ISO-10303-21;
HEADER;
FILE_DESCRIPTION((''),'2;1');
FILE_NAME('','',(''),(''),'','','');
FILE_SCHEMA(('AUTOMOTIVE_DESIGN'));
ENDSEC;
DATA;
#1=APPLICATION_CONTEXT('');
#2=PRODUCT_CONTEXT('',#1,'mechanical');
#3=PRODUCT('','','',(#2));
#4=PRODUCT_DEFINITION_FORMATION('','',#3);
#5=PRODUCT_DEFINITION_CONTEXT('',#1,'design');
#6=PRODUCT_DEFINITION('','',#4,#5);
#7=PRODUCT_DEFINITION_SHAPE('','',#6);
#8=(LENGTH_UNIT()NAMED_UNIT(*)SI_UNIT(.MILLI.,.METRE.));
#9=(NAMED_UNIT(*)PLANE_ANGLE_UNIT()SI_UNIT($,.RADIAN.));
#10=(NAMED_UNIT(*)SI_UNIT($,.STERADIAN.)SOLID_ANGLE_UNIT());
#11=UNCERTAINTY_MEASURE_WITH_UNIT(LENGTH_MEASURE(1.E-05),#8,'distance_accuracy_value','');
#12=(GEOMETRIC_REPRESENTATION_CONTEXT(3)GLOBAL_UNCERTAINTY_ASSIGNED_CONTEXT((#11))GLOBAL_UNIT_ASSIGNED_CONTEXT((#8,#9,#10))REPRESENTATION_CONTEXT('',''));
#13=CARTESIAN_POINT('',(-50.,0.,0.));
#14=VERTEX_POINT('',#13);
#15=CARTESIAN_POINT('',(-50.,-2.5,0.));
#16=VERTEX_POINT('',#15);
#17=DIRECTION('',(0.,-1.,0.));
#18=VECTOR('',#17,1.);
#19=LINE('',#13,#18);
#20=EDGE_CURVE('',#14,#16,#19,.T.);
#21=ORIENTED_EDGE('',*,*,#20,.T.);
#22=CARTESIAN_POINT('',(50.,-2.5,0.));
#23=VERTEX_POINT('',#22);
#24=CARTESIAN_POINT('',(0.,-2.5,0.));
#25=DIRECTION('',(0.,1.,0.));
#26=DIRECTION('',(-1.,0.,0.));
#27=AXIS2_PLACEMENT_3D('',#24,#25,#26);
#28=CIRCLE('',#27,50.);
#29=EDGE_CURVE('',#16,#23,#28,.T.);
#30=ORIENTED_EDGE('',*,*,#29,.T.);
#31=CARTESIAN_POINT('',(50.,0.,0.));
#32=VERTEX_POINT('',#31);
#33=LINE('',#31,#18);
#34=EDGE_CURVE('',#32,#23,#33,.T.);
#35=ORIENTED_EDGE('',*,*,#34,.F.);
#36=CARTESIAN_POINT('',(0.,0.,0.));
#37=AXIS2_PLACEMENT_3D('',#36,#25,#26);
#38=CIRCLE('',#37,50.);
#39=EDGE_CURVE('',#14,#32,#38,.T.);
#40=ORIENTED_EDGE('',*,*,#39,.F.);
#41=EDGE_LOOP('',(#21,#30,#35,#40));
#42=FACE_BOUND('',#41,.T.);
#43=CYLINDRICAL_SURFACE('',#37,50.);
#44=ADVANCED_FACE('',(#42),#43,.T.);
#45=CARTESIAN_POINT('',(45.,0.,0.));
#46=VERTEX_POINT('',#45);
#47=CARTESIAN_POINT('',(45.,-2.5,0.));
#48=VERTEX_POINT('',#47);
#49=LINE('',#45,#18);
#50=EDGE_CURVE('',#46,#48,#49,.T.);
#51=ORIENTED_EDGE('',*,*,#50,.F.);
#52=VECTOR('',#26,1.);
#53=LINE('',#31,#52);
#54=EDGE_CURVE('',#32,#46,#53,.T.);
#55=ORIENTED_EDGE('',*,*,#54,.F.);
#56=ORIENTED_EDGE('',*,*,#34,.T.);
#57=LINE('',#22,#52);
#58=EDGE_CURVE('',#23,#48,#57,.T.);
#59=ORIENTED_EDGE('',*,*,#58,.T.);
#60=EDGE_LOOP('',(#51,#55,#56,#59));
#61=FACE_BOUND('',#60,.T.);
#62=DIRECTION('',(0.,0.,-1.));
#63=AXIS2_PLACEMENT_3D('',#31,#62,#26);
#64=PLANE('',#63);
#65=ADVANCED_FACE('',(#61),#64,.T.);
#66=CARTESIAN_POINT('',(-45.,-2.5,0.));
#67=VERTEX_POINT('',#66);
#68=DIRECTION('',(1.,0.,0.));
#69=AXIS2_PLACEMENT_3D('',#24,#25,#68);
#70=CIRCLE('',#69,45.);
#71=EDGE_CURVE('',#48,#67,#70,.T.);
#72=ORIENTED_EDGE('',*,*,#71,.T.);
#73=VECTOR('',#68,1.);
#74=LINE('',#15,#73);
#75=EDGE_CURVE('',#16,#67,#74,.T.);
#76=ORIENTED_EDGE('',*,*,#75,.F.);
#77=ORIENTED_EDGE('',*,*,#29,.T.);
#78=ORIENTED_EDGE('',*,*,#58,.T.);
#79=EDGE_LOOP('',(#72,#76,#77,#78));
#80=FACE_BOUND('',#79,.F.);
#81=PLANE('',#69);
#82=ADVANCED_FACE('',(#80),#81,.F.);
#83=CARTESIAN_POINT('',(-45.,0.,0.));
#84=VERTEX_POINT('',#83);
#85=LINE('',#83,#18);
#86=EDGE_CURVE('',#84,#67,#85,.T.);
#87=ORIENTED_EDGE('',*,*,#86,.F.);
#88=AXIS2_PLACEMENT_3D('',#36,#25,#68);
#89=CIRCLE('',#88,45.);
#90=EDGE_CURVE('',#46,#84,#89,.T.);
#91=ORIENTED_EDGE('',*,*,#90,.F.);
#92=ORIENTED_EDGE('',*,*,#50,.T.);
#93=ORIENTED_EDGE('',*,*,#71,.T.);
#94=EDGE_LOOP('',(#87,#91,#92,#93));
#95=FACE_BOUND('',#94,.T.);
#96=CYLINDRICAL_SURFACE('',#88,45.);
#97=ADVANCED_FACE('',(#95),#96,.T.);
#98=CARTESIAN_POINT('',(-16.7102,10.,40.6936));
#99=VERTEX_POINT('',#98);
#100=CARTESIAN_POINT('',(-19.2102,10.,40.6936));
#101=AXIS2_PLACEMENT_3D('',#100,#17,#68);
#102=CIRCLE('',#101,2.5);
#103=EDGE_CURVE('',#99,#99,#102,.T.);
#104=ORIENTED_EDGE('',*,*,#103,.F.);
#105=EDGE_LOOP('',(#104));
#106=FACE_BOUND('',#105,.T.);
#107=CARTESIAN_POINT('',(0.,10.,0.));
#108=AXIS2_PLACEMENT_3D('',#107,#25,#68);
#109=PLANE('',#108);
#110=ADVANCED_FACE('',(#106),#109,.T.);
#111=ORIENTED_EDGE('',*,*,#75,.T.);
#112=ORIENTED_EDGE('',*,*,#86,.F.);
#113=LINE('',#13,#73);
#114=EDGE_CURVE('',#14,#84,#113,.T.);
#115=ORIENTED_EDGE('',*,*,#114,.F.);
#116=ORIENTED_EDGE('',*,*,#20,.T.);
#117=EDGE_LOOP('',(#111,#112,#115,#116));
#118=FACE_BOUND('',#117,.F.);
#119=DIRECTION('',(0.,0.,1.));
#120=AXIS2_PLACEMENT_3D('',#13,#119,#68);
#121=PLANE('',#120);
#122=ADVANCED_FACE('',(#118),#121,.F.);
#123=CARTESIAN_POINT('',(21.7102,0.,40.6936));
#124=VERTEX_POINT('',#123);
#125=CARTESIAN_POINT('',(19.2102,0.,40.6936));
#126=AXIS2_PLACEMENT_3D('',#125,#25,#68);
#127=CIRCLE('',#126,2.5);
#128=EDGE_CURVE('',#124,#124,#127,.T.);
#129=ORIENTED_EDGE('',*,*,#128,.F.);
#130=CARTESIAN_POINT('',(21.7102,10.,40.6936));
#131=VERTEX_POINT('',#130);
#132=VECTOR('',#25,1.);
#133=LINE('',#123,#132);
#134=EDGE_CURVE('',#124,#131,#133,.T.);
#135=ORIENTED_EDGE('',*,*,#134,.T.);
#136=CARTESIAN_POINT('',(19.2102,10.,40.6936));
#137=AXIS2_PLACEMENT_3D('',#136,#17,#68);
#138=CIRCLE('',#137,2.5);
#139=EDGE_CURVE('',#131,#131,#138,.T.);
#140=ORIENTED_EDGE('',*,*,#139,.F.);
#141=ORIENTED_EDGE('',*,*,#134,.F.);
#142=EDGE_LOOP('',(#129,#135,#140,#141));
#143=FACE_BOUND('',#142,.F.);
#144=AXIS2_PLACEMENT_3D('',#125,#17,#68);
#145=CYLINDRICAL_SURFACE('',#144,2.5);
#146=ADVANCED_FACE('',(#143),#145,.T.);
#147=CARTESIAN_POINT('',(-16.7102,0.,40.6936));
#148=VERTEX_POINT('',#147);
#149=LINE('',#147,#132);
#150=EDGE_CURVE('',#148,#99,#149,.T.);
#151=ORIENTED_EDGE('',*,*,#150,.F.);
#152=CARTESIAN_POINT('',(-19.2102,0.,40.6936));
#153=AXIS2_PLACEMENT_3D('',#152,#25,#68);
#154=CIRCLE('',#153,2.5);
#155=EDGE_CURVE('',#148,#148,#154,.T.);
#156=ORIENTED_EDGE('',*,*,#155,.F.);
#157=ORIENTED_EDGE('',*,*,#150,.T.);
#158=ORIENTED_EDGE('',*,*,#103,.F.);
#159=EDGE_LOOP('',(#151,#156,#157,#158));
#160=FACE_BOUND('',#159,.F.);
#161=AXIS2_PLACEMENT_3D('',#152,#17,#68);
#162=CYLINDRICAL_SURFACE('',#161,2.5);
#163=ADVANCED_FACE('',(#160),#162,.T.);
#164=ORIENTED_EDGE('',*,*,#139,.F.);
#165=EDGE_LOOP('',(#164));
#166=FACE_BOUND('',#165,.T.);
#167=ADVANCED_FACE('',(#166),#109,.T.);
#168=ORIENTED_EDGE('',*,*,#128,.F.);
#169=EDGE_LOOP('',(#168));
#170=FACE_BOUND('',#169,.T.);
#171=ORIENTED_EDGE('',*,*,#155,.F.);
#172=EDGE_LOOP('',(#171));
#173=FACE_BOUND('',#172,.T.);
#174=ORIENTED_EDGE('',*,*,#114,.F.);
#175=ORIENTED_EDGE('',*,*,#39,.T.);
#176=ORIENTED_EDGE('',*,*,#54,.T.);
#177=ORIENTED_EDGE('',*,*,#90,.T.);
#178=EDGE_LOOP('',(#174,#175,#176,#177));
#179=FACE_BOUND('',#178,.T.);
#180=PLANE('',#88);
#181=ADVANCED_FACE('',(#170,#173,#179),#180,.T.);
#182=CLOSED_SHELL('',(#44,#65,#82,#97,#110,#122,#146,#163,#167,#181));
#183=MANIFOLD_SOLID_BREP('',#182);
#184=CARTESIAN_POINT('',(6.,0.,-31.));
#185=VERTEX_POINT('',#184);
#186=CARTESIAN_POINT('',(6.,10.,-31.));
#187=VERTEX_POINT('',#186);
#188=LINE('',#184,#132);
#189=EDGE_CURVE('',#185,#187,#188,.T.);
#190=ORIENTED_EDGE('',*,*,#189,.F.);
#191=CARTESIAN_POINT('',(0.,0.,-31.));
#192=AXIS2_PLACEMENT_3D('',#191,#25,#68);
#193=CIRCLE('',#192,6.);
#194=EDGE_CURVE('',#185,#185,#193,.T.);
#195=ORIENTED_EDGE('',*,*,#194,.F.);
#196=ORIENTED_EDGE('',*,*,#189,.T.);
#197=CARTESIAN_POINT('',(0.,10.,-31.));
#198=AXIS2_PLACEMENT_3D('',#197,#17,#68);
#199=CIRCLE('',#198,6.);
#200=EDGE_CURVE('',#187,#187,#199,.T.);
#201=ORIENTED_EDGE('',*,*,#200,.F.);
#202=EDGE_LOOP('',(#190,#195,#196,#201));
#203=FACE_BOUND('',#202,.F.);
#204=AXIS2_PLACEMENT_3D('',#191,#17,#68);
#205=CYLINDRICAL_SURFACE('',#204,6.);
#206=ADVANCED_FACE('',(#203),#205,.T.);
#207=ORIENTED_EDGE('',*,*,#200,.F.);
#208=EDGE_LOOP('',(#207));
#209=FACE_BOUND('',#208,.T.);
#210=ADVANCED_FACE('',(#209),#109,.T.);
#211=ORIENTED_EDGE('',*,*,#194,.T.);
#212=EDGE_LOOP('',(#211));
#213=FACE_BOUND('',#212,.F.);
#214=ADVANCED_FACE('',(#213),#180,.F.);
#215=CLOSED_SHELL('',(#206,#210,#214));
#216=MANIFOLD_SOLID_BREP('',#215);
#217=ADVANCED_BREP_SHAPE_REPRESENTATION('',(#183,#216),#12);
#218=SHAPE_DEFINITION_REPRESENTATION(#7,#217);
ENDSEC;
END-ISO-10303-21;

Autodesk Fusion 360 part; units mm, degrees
sketch "Sketch1" plane through (0, 0, 0) normal (0, 1, 0) x (1, 0, 0)
  arc A0 (37.5, 0) -> (-37.5, 0) centre (0, 0) ccw
  line L0 (-37.5, 0) -> (37.5, 0)
  line L1 (-50, 0) -> (-37.5, 0)
  line L2 (50, 0) -> (37.5, 0)
  arc A1 (-50, 0) -> (50, 0) centre (0, 0) ccw
  line L3 (0, 37.5) -> (0, 31)
  circle A2 centre (0, 31) radius 6
  line L4 (0, 37.5) -> (0, -50) construction
  line L5 (0, 31) -> (20.5233, -45.5938)
  line L6 (0, 31) -> (79.2958, 31) construction
  line L7 (0, 31) -> (80.809, 31) construction
  line L8 (0, 31) -> (13.9333, -48.0194)
  line L9 (0, 31) -> (80.2384, 31) construction
  line L10 (0, 31) -> (26.6753, -42.2898)
  line L11 (0, 31) -> (77.9934, 31) construction
  line L12 (0, 31) -> (32.2663, -38.1953)
  line L13 (0, 31) -> (76.3486, 31) construction
  line L14 (0, 31) -> (37.1918, -33.4181)
  line L15 (0, 31) -> (74.3836, 31) construction
  line L16 (0, 31) -> (44.7413, -22.3207)
  line L17 (0, 31) -> (69.6052, 31) construction
  line L18 (0, 31) -> (41.3694, -28.0816)
  line L19 (0, 31) -> (72.1253, 31) construction
  line L20 (0, 31) -> (66.8592, 31) construction
  circle A3 centre (41.1995, -18.0997) radius 2.5
  circle A4 centre (38.2758, -23.6635) radius 2.5
  circle A5 centre (34.5465, -28.8364) radius 2.5
  circle A6 centre (30.0677, -33.4804) radius 2.5
  circle A7 centre (24.9208, -37.4694) radius 2.5
  circle A8 centre (19.2102, -40.6936) radius 2.5
  circle A9 centre (13.0594, -43.0634) radius 2.5
  circle A10 centre (0, 0) radius 25
  circle A11 centre (0, 0) radius 45
  circle A12 centre (9.5407, -23.1079) radius 2.5
  circle A13 centre (17.7067, -17.6486) radius 2.5
  circle A14 centre (23.2309, -9.2371) radius 2.5
  circle A15 centre (-9.5407, -23.1079) radius 2.5
  circle A16 centre (-17.7067, -17.6486) radius 2.5
  circle A17 centre (-23.2309, -9.2371) radius 2.5
  circle A18 centre (-13.0594, -43.0634) radius 2.5
  circle A19 centre (-19.2102, -40.6936) radius 2.5
  circle A20 centre (-24.9208, -37.4694) radius 2.5
  circle A21 centre (-30.0677, -33.4804) radius 2.5
  circle A22 centre (-34.5465, -28.8364) radius 2.5
  circle A23 centre (-38.2758, -23.6635) radius 2.5
  circle A24 centre (-41.1995, -18.0997) radius 2.5
  dimension "d1" = 75
  dimension "d3" = 75
  dimension "d5" = 80
  dimension "d6" = 70
  dimension "d7" = 65
  dimension "d8" = 60
  dimension "d9" = 50
  dimension "d10" = 55
  dimension "d13" = 5
  dimension "d14" = 5
  dimension "d15" = 5
  dimension "d16" = 5
  dimension "d17" = 5
  dimension "d18" = 5
  dimension "d19" = 5
  dimension "d21" = 50
  dimension "d26" = 5
  dimension "d27" = 5
  dimension "d28" = 5
extrude "Extrude2" add sketch "Sketch1" against normal blind 2.5 makes body 1
extrude "Extrude1" add sketch "Sketch1" along normal blind 10 separate body contours L3 A2 L16 | L3 A2 L8 | A2 L5 L10 | A2 L5 L8 | A2 L10 L12 | A2 L12 L14 | A2 L14 L18 | A2 L16 L18 makes body 2
extrude "Extrude3" add sketch "Sketch1" along normal blind 10 contours L5 A8 A11 | L5 A8 A11 | L5 A8 A11 | L5 A8 A11 | A11 A19 | A11 A19 bodies 1
